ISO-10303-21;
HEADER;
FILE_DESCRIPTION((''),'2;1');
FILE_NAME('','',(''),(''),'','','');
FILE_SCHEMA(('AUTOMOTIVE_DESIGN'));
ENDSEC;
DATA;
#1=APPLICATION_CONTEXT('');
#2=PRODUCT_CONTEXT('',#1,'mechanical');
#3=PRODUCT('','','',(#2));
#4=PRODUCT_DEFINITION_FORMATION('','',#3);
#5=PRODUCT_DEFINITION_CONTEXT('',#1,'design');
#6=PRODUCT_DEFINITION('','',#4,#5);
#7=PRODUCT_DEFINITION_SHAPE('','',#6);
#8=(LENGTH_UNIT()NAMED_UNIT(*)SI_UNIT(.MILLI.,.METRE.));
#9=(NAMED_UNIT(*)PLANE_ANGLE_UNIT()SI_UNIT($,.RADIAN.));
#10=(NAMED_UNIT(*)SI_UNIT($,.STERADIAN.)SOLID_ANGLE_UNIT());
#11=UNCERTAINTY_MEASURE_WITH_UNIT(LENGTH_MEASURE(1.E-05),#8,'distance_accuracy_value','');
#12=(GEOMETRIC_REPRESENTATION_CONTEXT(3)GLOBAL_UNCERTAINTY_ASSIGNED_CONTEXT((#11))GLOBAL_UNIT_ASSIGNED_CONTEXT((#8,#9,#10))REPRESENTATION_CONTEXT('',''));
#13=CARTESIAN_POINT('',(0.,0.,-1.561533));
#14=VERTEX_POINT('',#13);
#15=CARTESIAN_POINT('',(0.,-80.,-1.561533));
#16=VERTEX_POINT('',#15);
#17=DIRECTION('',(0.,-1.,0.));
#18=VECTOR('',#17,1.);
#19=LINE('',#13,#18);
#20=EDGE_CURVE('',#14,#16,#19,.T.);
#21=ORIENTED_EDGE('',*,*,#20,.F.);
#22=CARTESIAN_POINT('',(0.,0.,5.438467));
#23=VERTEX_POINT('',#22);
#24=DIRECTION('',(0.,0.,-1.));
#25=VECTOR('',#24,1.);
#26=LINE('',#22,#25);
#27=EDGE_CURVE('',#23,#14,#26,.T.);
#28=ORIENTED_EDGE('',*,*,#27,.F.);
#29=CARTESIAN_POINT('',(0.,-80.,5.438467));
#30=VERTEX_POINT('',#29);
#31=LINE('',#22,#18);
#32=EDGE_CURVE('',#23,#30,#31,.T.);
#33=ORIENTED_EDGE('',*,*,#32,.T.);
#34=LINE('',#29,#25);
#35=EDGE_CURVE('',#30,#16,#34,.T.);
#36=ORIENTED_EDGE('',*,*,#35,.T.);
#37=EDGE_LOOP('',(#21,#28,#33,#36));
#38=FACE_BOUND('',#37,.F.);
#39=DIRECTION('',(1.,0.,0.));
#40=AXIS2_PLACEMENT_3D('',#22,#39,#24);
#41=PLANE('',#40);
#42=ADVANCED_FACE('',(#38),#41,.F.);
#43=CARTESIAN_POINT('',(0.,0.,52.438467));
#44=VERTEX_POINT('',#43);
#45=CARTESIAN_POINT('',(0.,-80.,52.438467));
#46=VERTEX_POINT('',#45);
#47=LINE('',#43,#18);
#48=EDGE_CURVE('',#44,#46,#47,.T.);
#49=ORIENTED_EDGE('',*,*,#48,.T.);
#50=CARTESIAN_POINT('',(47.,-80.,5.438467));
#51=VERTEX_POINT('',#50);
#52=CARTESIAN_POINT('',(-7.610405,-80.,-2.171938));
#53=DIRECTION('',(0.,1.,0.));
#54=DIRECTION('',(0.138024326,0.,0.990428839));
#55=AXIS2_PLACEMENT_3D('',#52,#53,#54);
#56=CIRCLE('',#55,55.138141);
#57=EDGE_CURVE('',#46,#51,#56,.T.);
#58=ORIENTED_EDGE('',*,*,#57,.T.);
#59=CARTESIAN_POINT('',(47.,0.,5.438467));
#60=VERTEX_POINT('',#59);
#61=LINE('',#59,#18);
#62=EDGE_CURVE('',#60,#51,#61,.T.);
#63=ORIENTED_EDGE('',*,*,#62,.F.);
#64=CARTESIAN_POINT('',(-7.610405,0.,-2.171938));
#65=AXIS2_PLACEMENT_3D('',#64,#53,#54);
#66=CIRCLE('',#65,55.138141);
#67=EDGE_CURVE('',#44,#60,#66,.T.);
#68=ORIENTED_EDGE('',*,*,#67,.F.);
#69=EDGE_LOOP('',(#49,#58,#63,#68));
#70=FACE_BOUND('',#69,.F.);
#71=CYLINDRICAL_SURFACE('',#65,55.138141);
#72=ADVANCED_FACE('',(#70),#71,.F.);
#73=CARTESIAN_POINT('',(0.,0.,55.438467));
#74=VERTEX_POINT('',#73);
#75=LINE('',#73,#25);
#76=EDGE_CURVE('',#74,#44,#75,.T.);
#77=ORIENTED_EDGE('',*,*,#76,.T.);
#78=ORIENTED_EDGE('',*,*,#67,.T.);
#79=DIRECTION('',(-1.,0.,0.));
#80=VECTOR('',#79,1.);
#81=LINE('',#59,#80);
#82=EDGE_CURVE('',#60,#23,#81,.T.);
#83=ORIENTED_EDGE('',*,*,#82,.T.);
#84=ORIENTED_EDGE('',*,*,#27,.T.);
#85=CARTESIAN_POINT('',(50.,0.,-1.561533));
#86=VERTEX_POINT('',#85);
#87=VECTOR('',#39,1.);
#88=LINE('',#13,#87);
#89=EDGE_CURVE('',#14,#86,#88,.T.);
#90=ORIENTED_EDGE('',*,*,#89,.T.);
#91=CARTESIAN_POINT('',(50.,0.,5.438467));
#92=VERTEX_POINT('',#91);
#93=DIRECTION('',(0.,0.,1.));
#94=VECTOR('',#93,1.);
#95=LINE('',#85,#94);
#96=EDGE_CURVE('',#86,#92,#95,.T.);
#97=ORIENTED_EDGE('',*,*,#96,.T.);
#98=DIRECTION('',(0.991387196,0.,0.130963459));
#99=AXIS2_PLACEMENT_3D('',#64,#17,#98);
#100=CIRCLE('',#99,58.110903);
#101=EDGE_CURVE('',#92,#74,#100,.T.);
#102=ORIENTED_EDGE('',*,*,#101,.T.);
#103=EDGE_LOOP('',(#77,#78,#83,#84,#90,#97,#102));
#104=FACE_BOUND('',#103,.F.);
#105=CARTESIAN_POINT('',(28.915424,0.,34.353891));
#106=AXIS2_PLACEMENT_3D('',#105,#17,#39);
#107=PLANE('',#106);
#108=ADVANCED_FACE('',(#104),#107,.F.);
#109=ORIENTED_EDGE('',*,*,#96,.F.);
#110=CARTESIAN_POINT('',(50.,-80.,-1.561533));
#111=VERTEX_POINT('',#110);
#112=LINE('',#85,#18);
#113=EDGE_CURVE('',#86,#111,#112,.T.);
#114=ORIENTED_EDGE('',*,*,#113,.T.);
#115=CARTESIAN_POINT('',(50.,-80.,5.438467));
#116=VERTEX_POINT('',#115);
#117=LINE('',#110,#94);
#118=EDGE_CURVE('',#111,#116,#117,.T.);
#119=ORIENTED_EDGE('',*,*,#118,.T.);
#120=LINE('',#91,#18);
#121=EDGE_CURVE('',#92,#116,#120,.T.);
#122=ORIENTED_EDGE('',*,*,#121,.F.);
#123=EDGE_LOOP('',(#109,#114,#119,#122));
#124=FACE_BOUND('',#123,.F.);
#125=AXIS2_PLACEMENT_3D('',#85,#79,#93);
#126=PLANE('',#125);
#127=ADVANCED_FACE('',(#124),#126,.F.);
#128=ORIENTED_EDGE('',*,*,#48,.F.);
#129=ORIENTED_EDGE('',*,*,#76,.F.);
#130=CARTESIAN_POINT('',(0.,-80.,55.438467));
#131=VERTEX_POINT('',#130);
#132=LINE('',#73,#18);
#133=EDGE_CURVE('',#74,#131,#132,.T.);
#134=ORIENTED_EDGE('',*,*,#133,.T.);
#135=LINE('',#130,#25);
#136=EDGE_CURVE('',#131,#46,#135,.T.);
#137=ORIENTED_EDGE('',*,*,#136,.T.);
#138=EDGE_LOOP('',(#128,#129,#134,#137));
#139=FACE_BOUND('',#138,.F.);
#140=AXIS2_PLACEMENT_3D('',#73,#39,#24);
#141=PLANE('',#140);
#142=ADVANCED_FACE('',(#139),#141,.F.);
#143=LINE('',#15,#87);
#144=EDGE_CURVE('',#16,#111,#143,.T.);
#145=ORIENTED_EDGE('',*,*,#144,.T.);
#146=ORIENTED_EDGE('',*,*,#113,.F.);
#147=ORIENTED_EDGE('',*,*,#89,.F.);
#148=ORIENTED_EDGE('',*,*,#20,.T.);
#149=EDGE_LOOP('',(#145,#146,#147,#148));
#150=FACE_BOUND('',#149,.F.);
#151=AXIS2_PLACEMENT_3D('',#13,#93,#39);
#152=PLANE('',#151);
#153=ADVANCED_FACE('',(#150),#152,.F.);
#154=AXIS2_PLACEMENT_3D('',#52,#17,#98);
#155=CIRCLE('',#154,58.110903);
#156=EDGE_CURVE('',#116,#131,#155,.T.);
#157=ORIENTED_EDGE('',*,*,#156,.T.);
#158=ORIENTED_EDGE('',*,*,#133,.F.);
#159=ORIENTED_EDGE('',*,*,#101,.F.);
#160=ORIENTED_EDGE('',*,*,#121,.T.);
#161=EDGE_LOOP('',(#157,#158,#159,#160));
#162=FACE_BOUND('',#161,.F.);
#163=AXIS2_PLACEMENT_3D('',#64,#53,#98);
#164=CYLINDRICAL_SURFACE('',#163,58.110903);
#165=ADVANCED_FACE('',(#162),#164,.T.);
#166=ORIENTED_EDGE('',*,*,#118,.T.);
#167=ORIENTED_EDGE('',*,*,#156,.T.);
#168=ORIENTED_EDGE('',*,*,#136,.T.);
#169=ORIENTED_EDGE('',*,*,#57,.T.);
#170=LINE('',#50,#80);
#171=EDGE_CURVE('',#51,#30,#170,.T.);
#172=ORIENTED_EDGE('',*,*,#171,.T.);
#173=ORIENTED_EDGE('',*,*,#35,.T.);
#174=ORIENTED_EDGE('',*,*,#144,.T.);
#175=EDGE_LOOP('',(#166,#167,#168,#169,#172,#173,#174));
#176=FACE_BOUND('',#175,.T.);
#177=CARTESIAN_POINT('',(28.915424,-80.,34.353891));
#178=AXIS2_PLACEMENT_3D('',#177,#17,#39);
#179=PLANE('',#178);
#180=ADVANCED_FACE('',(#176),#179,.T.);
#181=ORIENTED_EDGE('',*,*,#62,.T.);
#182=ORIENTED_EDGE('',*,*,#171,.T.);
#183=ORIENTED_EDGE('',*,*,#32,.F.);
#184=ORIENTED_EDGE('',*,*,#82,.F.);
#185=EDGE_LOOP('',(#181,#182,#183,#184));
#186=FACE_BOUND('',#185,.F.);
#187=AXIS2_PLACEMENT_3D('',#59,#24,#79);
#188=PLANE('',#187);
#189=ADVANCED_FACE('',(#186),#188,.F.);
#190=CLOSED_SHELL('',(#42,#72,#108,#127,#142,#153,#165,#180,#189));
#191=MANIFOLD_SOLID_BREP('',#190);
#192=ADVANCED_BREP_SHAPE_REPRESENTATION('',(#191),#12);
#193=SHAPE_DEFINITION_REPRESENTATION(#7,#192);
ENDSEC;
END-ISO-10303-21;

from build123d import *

# Parameters (mm, degrees)
F1_DEPTH = 80


with BuildPart() as f1:
    # F0 (on Front) → F1 (new body)
    with BuildSketch(Plane.XZ):
        with BuildLine():
            ThreePointArc((0, 52.438467), (31.378148, 36.816616), (47, 5.438467))
            Line((47, 5.438467), (50, 5.438467))
            ThreePointArc((50, 5.438467), (33.480208, 38.918676), (0, 55.438467))
            Line((0, 55.438467), (0, 52.438467))
        make_face()
        Polygon((50, 5.438467), (47, 5.438467), (0, 5.438467), (0, -1.561533), (50, -1.561533), align=None)
    extrude(amount=F1_DEPTH)


solid = f1.part
